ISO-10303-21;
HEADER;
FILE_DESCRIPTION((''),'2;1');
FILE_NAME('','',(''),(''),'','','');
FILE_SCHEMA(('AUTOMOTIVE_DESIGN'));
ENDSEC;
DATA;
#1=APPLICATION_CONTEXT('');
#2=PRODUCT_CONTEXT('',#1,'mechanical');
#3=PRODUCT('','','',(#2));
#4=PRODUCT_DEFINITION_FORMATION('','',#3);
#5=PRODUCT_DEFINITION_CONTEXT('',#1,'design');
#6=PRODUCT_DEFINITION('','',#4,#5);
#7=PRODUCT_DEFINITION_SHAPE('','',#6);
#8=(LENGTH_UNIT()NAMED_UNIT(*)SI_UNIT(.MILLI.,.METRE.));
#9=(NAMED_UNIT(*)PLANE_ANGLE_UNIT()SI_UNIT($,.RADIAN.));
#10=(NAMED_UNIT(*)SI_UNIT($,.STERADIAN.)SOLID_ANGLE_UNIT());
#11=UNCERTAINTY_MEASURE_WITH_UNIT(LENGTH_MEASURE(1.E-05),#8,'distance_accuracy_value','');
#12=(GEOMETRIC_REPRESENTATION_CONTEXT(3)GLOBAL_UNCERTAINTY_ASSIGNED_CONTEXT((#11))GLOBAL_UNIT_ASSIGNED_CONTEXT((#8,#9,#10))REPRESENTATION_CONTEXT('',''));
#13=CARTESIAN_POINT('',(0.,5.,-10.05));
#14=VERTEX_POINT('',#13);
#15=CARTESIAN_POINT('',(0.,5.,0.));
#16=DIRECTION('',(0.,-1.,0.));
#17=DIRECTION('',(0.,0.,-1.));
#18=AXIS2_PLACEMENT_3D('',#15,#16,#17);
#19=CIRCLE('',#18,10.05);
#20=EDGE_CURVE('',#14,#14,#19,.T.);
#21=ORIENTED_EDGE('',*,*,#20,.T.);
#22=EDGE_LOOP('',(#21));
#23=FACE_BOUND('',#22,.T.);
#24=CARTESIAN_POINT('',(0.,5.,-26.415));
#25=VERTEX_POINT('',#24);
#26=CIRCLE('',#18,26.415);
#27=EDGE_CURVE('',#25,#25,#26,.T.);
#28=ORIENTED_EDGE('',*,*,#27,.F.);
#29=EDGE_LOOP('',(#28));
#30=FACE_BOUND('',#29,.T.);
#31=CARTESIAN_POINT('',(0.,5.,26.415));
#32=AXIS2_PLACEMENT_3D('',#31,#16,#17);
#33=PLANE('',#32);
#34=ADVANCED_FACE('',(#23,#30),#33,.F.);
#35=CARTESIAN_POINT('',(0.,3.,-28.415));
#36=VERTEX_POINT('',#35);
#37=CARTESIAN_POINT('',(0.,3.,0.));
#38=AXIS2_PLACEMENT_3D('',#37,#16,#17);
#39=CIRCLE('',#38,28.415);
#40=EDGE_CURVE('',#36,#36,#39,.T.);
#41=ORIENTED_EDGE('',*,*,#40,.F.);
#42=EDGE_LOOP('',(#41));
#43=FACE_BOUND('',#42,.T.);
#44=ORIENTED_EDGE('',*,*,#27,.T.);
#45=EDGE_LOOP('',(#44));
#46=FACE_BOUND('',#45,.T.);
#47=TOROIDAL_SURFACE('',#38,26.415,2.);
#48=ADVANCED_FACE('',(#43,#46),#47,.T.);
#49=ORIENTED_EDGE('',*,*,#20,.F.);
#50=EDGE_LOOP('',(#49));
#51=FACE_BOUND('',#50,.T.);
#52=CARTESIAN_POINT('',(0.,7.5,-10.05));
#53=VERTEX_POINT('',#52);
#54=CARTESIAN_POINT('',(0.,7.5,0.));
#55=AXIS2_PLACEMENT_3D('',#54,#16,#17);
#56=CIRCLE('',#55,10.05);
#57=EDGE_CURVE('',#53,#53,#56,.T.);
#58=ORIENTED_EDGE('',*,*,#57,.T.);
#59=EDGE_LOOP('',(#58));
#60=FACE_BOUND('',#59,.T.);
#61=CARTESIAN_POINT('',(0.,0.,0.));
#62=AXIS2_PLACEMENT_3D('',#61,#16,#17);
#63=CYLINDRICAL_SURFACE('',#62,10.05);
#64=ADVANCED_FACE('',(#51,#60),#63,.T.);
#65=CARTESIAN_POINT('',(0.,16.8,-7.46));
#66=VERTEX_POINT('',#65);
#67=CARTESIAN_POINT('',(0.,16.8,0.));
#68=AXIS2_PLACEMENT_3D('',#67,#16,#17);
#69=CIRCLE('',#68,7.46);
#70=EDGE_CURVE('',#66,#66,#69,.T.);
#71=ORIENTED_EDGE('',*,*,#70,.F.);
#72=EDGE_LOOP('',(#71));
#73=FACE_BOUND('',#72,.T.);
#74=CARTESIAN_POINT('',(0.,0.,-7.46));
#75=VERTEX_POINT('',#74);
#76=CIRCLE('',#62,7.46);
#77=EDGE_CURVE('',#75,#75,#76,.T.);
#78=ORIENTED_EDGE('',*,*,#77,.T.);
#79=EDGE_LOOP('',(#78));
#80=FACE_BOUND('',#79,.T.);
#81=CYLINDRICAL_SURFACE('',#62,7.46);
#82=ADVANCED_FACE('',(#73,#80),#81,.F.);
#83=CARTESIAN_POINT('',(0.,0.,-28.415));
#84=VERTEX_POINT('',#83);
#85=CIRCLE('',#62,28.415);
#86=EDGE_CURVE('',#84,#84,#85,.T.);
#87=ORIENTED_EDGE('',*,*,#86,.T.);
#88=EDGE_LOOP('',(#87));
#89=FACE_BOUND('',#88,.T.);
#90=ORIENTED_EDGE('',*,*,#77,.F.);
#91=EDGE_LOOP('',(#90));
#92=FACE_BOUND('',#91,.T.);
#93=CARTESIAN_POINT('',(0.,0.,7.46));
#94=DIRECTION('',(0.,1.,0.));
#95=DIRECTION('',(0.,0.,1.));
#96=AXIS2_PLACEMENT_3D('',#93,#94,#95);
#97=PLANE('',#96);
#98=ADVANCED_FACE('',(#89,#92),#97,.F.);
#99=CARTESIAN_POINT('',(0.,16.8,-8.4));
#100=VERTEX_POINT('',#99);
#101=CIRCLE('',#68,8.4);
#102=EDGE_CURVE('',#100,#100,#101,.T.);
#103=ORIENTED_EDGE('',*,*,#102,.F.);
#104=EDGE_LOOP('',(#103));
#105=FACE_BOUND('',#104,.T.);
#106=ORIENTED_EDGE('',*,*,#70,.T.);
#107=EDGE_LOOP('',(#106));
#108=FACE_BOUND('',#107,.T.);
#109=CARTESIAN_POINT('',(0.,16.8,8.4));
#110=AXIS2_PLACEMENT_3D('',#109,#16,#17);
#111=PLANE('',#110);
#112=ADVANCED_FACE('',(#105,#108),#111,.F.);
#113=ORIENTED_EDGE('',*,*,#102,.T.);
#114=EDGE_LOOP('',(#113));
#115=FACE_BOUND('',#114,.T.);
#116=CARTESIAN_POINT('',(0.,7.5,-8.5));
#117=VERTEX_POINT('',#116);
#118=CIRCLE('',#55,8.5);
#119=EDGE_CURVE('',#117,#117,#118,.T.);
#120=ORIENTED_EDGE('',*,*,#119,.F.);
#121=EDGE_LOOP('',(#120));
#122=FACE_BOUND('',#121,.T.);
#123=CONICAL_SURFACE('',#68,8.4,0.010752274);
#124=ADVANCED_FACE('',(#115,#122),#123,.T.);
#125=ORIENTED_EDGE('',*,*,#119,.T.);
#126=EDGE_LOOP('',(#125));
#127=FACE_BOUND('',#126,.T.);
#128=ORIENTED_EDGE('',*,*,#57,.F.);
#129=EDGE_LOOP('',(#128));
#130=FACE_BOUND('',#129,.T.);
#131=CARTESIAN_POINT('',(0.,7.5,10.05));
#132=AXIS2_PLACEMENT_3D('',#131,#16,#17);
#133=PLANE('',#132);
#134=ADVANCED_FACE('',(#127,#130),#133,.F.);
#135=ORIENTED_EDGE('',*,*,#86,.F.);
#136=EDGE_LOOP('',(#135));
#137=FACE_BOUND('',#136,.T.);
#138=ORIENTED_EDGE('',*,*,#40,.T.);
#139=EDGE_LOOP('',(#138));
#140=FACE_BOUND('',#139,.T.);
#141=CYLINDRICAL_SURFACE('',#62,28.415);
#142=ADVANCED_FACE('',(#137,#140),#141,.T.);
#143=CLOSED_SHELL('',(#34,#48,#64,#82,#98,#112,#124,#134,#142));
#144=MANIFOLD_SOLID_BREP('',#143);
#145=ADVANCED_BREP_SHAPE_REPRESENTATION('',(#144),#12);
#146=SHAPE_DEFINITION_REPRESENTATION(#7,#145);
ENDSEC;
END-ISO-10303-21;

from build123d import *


with BuildPart() as part:
    # Sketch1 → Revolve1 (revolve)
    with BuildSketch(Plane(origin=(0, 0, 0), x_dir=(0, 0, -1), z_dir=(1, 0, 0)), mode=Mode.PRIVATE) as revolve1_sk:
        with BuildLine():
            Line((-7.46, 0), (-28.415, 0))
            Line((-28.415, 0), (-28.415, 3))
            ThreePointArc((-28.415, 3), (-27.829213562, 4.414213562), (-26.415, 5))
            Line((-26.415, 5), (-10.05, 5))
            Line((-10.05, 5), (-10.05, 7.5))
            Line((-10.05, 7.5), (-8.5, 7.5))
            Line((-8.5, 7.5), (-8.4, 16.8))
            Line((-8.4, 16.8), (-7.46, 16.8))
            Line((-7.46, 16.8), (-7.46, 0))
        make_face()
    revolve(revolve1_sk.sketch.rotate(Axis((0, 0, 0), (0, 1, 0)), 180), axis=Axis((0, 0, 0), (0, 1, 0)))


solid = part.part
